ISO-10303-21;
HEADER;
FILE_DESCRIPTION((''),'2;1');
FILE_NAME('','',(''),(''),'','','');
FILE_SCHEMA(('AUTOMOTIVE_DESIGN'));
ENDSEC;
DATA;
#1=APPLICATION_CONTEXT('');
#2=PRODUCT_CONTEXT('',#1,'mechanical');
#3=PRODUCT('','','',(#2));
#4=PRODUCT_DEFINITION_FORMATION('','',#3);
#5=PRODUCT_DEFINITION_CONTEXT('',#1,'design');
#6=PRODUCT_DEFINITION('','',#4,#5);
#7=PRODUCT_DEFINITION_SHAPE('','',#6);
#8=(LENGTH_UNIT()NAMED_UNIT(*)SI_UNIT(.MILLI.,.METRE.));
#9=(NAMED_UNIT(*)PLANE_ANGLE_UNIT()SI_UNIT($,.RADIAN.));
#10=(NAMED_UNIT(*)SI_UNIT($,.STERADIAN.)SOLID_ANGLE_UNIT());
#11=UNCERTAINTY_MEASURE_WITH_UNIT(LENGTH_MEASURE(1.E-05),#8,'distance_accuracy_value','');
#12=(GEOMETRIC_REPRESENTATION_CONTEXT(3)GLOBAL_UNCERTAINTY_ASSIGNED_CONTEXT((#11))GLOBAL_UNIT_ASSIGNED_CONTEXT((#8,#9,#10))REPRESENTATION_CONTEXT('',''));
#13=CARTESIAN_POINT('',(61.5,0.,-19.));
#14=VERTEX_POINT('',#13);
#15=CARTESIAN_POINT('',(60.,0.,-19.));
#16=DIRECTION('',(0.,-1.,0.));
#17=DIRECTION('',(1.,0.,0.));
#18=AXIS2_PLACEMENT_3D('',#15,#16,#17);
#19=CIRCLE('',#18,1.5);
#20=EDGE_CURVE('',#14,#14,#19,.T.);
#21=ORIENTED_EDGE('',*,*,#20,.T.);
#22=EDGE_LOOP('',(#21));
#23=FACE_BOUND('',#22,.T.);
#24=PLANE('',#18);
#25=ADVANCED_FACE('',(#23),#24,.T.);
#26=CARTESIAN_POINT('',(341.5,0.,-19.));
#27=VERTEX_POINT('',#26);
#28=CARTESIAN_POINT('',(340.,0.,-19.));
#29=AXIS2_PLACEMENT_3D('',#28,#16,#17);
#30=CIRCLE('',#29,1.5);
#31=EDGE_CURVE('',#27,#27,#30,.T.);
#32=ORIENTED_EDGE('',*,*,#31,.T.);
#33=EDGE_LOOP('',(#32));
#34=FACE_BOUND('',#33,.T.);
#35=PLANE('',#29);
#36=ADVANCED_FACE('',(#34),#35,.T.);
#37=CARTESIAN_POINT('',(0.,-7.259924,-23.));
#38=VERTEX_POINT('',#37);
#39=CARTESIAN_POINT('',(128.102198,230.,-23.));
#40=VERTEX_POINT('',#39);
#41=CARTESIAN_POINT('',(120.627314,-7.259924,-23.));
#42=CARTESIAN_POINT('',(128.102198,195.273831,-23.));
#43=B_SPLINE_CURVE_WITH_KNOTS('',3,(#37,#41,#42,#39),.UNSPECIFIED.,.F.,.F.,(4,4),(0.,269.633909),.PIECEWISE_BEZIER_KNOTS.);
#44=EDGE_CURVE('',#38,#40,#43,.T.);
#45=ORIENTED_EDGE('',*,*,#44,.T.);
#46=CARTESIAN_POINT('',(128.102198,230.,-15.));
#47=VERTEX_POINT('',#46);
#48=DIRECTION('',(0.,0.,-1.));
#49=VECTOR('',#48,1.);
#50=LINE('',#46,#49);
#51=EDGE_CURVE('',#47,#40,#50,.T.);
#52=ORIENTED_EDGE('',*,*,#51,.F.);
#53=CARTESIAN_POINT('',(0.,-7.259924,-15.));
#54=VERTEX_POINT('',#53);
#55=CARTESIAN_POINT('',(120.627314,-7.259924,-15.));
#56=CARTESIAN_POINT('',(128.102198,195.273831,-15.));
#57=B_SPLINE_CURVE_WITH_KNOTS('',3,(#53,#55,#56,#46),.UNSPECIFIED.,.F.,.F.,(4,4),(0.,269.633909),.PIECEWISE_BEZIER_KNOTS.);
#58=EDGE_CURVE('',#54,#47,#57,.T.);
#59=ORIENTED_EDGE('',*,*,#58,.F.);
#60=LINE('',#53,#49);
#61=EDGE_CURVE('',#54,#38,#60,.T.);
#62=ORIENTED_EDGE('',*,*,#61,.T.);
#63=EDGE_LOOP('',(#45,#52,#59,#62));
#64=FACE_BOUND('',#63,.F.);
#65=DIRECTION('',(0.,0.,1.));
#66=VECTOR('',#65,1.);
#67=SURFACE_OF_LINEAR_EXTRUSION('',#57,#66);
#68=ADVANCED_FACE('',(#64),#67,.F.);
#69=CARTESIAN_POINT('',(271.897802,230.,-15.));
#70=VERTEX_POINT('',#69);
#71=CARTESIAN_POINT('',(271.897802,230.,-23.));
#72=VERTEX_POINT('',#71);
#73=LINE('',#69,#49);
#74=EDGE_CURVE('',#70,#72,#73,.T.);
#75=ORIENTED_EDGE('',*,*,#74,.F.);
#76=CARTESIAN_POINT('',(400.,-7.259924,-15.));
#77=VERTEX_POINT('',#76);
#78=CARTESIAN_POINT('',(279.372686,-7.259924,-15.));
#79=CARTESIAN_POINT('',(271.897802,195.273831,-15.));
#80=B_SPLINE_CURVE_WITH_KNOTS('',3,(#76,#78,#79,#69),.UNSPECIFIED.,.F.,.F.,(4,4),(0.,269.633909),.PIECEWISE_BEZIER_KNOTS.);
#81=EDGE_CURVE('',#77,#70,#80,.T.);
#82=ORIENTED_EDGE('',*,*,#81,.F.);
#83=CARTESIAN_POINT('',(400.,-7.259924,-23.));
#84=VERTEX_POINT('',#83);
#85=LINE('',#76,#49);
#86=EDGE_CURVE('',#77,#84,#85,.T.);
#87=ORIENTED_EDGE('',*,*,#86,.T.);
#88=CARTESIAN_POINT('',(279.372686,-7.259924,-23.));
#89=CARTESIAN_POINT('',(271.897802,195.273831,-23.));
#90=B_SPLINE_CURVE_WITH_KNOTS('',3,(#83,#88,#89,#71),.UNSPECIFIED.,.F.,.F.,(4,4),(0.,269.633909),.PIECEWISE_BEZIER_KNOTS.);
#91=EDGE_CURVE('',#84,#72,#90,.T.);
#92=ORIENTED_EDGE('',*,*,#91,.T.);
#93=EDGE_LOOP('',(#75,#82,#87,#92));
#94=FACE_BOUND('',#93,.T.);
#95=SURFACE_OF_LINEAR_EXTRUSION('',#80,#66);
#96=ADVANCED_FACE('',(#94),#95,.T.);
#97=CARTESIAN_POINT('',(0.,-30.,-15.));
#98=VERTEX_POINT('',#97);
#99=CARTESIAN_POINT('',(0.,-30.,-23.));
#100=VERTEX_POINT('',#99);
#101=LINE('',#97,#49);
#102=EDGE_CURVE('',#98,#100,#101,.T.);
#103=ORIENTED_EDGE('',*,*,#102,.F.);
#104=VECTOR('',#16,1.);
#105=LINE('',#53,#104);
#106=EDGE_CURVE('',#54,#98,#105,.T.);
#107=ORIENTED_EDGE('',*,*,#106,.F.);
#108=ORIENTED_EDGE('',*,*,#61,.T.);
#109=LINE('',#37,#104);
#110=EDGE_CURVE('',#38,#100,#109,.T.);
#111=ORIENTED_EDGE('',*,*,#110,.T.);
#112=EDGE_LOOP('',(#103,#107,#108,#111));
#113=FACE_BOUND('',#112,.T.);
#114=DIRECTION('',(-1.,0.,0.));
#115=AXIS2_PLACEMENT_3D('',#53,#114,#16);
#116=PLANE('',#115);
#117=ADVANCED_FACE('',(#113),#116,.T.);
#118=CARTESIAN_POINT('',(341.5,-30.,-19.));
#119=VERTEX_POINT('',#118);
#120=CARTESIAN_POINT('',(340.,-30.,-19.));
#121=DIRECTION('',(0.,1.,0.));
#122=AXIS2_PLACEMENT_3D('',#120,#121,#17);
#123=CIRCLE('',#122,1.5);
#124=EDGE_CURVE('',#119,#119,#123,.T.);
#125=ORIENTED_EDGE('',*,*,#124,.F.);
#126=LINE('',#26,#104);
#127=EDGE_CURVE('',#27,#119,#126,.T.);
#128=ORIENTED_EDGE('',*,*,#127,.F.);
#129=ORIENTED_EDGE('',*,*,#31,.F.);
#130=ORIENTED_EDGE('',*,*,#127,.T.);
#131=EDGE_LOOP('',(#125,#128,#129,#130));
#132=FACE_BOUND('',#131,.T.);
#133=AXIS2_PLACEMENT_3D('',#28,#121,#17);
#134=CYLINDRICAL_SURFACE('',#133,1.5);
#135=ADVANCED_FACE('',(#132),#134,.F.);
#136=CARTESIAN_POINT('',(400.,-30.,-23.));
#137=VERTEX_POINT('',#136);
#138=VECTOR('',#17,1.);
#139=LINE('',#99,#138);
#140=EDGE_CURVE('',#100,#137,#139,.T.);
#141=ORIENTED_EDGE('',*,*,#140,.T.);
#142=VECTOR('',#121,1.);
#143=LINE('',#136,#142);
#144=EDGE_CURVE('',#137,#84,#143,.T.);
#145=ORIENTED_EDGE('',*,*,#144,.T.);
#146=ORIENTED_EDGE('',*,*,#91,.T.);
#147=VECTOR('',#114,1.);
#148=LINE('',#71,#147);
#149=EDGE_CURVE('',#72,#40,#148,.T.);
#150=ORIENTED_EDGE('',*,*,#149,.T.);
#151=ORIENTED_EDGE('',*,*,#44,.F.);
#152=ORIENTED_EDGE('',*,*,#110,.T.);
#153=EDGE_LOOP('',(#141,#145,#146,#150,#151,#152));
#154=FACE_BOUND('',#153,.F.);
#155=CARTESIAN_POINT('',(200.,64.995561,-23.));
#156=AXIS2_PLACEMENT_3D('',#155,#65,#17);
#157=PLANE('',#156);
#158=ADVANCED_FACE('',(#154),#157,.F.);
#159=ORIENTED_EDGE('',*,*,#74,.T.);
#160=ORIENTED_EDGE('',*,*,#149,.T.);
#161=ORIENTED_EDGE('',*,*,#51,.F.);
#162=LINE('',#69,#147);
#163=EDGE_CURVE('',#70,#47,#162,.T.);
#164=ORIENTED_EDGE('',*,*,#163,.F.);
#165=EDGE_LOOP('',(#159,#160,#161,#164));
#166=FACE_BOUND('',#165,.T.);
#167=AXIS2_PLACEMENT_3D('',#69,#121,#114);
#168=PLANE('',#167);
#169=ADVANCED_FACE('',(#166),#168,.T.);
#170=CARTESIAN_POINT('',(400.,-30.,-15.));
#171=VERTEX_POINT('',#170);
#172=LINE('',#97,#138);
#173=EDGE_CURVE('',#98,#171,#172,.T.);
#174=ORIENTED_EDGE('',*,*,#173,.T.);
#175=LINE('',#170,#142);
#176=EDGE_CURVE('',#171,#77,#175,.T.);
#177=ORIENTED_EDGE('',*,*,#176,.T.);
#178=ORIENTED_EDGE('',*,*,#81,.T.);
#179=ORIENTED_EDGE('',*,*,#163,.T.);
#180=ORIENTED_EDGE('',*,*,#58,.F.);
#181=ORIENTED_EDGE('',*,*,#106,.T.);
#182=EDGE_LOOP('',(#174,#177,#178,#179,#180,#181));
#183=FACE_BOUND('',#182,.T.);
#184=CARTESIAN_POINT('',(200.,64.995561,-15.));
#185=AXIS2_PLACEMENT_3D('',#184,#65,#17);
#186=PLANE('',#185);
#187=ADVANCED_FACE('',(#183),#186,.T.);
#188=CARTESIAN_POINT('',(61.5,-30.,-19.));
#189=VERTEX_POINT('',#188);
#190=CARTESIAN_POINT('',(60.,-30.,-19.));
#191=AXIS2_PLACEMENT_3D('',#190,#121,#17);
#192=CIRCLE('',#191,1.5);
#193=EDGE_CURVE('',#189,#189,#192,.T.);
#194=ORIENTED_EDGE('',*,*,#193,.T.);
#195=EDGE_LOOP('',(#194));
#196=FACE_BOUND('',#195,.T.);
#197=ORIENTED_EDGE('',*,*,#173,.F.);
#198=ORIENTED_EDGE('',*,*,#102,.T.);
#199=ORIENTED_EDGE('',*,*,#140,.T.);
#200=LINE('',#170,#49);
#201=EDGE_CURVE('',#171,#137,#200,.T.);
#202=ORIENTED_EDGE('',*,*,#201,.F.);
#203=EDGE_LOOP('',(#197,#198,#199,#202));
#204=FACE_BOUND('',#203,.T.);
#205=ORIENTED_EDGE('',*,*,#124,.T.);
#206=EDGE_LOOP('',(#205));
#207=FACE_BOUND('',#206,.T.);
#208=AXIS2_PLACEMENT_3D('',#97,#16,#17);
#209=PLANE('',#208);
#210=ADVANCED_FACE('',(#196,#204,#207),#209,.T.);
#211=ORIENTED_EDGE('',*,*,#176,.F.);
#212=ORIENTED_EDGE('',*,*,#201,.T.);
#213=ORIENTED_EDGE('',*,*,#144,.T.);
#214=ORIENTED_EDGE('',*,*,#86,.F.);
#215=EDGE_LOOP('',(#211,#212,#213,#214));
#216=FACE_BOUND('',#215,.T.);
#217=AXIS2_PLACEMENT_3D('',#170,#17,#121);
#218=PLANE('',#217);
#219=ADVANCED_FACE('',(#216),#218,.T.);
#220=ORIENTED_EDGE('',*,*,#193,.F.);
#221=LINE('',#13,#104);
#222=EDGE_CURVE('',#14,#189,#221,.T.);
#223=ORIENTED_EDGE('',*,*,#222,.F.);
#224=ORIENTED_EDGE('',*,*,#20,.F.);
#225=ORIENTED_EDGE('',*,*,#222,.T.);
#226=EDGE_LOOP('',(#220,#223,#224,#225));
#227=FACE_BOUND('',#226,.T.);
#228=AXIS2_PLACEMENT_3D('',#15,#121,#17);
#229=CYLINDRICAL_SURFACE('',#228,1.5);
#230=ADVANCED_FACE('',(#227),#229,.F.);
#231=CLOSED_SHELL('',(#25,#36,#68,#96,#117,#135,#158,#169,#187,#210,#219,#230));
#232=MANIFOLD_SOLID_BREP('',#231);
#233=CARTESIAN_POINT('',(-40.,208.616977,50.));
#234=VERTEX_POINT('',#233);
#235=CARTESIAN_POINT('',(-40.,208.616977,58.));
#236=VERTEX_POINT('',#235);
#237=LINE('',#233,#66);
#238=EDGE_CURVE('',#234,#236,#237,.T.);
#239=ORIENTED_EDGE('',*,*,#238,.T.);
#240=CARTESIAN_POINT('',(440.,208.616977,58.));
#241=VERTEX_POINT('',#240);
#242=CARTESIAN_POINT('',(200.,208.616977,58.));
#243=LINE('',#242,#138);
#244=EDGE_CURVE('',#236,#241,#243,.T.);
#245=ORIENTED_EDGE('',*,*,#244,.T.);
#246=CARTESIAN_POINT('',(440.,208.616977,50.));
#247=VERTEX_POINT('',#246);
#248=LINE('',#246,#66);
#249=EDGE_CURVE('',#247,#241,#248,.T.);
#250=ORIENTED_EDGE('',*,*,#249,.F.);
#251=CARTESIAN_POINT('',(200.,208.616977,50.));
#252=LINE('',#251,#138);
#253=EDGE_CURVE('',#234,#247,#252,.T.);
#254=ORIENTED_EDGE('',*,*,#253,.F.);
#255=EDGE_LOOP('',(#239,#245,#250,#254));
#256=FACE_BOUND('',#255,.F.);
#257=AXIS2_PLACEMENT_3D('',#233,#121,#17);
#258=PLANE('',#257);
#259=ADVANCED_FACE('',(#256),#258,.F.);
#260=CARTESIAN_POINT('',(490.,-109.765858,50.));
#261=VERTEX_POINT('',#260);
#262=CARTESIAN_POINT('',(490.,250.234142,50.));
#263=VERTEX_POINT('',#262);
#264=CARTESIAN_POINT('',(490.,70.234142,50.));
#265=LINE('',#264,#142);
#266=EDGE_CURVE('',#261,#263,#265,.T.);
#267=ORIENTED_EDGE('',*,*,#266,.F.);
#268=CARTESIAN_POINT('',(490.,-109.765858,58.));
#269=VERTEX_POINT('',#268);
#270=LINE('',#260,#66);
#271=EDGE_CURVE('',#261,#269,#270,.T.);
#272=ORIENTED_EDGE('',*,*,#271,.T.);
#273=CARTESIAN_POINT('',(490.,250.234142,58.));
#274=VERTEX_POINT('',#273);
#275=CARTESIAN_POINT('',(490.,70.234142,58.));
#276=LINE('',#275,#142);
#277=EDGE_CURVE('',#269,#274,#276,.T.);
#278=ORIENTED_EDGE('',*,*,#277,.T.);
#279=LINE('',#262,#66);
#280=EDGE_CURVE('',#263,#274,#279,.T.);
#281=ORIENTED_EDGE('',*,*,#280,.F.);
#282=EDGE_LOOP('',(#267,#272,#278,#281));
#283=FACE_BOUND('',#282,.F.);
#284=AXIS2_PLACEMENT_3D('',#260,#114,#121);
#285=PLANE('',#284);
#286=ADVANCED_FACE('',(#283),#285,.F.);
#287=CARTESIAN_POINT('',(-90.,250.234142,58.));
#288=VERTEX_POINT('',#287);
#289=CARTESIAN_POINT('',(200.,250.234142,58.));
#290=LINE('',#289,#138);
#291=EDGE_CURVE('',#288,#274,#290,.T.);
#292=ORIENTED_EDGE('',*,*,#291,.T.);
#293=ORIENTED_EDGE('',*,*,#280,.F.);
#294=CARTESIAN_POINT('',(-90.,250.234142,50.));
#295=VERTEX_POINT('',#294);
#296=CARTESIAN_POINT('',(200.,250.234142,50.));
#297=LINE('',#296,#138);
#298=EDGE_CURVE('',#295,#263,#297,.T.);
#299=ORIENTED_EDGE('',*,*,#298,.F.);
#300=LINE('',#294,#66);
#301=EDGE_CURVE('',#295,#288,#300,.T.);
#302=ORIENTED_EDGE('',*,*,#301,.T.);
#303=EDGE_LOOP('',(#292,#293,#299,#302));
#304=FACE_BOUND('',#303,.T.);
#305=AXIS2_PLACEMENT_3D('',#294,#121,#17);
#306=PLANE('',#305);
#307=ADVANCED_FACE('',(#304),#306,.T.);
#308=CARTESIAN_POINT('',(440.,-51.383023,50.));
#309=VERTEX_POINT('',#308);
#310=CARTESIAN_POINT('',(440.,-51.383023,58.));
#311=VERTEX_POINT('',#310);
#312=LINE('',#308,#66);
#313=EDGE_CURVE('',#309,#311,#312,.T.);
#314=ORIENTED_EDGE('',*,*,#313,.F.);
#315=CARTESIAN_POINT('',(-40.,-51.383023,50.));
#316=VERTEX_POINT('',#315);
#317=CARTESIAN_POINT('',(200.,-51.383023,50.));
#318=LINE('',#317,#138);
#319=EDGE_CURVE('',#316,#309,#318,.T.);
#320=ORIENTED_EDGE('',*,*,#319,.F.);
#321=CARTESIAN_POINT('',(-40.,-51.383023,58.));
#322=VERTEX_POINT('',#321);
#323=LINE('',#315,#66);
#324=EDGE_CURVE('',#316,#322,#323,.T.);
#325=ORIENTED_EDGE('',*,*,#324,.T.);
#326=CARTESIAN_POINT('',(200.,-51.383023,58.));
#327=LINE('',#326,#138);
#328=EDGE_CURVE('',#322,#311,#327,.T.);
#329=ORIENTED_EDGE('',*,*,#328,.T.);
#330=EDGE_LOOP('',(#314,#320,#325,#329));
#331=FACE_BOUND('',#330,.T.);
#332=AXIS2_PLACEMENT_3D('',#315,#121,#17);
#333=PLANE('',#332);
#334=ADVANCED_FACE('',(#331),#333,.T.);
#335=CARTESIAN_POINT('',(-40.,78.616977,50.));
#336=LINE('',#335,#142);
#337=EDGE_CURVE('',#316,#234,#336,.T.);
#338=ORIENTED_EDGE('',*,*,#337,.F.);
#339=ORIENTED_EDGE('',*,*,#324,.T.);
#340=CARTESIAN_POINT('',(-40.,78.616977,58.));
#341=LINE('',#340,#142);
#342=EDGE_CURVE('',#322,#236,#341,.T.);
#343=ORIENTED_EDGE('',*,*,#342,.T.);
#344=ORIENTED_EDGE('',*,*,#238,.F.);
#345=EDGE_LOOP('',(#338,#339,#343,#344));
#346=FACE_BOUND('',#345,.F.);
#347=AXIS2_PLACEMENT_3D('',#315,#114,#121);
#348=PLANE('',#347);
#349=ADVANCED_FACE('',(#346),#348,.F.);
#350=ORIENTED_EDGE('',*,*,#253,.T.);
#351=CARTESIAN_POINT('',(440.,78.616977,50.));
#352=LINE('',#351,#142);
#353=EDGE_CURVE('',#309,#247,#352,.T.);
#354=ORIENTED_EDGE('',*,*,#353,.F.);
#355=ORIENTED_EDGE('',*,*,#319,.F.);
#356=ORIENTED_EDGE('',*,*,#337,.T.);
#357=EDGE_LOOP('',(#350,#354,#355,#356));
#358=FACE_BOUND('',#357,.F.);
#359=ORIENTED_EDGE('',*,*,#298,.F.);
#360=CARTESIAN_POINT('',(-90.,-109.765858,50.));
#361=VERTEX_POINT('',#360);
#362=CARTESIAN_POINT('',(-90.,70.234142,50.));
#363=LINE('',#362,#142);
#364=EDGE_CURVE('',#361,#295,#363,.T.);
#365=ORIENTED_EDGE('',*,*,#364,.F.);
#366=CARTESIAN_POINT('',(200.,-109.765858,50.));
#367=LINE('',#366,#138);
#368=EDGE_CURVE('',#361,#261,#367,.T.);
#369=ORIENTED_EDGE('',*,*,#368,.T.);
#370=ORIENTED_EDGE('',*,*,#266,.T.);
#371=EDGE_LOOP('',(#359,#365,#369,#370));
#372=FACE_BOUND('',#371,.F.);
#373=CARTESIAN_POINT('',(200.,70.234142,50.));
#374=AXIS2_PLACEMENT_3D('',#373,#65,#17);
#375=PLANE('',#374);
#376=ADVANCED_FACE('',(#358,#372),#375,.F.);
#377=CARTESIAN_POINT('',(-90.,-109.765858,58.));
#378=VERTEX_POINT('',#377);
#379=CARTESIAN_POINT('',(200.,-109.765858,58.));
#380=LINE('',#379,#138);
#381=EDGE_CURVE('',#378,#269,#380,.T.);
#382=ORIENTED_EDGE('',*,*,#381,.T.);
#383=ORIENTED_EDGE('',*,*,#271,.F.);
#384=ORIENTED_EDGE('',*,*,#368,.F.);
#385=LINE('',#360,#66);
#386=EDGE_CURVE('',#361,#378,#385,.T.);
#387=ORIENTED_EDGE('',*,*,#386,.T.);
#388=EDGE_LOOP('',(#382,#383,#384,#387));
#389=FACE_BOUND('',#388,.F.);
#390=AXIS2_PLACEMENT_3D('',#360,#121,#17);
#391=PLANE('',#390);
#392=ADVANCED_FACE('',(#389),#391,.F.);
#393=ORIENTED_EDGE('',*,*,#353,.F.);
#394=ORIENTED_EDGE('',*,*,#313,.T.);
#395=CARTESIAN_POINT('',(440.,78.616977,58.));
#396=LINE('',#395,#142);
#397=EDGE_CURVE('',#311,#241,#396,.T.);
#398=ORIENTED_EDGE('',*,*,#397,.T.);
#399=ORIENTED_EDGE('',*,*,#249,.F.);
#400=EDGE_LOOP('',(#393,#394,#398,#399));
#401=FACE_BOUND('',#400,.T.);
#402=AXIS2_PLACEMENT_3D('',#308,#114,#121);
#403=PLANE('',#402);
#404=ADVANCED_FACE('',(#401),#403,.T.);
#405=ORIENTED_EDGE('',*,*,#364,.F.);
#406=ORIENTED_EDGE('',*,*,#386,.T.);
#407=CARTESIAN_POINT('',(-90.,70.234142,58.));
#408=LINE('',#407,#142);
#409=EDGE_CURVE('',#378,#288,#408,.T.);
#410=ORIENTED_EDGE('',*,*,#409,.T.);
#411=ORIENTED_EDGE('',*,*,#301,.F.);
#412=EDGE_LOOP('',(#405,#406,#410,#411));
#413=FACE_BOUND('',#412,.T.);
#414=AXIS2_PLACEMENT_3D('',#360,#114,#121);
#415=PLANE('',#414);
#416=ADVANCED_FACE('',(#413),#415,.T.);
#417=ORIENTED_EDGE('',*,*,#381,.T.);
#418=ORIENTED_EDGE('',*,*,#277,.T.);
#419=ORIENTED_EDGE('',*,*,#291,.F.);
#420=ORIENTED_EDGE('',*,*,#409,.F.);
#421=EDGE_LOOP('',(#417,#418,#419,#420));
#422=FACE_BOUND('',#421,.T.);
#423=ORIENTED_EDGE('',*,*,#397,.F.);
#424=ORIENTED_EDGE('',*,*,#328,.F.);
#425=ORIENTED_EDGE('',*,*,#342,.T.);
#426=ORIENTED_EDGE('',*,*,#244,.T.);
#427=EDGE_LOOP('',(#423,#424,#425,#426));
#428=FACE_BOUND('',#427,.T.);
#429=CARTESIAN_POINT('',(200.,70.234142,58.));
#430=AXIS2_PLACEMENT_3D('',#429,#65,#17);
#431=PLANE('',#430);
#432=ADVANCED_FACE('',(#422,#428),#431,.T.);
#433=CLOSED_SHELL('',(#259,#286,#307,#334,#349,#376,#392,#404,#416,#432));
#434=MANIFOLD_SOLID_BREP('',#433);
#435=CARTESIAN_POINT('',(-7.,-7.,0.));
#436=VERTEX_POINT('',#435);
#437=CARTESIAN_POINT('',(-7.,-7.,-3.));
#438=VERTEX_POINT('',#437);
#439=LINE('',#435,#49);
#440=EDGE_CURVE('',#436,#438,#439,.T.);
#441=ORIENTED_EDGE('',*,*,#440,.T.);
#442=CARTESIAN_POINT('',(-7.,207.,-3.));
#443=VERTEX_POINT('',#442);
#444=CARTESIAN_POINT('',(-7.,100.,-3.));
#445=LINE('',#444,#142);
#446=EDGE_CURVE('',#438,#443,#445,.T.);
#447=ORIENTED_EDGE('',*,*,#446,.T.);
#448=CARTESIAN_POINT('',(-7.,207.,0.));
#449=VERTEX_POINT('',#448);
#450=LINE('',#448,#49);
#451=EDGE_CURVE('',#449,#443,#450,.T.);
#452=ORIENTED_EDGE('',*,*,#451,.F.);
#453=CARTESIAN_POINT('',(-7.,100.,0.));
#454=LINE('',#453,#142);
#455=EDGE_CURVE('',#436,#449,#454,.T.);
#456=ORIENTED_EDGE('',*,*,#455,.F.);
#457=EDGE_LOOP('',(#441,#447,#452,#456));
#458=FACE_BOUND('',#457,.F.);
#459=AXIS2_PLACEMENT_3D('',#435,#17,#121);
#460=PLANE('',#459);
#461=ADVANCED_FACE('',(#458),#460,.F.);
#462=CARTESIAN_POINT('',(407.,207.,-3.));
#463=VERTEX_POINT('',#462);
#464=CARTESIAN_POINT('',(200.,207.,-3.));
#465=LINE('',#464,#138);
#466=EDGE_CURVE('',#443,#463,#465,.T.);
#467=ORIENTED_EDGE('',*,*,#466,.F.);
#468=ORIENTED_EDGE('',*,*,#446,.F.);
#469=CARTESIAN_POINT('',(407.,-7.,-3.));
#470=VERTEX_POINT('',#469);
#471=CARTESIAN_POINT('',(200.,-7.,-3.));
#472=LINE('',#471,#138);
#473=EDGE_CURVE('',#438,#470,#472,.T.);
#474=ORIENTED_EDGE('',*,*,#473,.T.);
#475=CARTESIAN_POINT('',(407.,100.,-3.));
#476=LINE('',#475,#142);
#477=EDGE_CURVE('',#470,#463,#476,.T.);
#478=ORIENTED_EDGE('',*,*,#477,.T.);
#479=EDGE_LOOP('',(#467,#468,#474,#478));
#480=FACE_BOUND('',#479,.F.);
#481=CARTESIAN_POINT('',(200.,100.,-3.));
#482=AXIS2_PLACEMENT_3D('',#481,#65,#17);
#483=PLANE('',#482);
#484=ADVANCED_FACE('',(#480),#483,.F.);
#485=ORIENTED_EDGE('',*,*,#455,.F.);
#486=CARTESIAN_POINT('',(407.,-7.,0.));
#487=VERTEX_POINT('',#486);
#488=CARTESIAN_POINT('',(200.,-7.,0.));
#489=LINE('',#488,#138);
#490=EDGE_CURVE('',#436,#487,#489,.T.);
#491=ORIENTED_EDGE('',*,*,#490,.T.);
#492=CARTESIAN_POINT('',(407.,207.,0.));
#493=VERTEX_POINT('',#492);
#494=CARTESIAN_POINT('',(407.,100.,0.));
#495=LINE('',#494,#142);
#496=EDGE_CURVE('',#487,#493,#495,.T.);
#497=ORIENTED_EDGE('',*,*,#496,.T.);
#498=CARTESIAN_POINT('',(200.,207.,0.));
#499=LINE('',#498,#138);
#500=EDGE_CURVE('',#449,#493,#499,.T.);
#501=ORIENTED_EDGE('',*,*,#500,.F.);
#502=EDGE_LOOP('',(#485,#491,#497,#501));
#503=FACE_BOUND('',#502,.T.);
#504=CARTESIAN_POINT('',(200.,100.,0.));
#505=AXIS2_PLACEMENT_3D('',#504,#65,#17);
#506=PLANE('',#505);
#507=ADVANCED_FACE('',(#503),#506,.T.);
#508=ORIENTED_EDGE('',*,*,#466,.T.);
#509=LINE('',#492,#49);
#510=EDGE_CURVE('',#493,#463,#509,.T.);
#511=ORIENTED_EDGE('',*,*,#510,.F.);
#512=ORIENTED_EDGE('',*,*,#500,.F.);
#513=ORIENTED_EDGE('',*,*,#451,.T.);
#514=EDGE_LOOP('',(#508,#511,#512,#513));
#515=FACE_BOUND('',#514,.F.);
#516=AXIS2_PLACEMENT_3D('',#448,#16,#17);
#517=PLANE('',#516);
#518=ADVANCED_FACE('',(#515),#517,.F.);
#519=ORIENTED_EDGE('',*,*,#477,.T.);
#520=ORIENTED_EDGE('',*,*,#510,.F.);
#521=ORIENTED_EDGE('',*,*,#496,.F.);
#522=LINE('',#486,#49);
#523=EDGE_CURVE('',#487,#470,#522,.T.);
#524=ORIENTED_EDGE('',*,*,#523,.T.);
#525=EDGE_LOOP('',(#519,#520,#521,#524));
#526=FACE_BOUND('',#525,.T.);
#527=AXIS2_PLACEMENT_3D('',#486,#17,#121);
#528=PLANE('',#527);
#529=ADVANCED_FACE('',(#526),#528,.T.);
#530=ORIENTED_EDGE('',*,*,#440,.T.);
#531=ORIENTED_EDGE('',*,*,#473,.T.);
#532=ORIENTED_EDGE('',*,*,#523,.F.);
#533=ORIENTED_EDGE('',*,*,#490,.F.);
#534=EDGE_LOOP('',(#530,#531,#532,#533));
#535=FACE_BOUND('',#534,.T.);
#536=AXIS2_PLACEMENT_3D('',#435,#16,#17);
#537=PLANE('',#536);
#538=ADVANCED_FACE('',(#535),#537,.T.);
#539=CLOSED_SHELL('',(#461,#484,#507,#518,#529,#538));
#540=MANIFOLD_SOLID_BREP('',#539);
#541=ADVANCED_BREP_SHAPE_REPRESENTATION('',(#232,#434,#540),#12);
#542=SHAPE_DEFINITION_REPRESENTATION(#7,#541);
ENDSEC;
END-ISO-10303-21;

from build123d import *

# Parameters (mm, degrees)
F0_W     = 414
F0_H     = 214
F1_DEPTH = 3
F4_DEPTH = 8
F5_R     = 1.5
F6_DEPTH = 30.001
F8_W     = 580
F8_H     = 360
F8_W_2   = 480
F8_H_2   = 260
F9_DEPTH = 8


with BuildPart() as f1:
    # F0 (on Top) → F1 (new body)
    with BuildSketch(Plane.XY):
        with Locations((200, 100)):
            Rectangle(F0_W, F0_H)
    extrude(amount=-F1_DEPTH)


with BuildPart() as f4:
    # F3 (on offset) → F4 (new body)
    with BuildSketch(Plane.XY.offset(-15)):
        with BuildLine():
            Line((0, -7.259924), (0, -30))
            Line((0, -30), (400, -30))
            Line((400, -30), (400, -7.259924))
            add(Edge.make_bspline(
                [(400, -7.259924), (279.372686, -7.259924), (271.897802, 195.273831), (271.897802, 230)],
                knots=[0, 0, 0, 0, 269.633909, 269.633909, 269.633909, 269.633909], degree=3))
            Line((271.897802, 230), (128.102198, 230))
            add(Edge.make_bspline(
                [(0, -7.259924), (120.627314, -7.259924), (128.102198, 195.273831), (128.102198, 230)],
                knots=[0, 0, 0, 0, 269.633909, 269.633909, 269.633909, 269.633909], degree=3))
        make_face()
    extrude(amount=-F4_DEPTH)

    # F5 (on Front) → F6 (cut, through all)
    with BuildSketch(Plane.XZ):
        with Locations((340, -19)):
            Circle(F5_R)
        with Locations((60, -19)):
            Circle(F5_R)
    extrude(amount=F6_DEPTH, mode=Mode.SUBTRACT)


with BuildPart() as f9:
    # F8 (on offset) → F9 (new body)
    with BuildSketch(Plane.XY.offset(50)):
        with Locations((200, 70.234142)):
            Rectangle(F8_W, F8_H)
        with Locations((200, 78.616977)):
            Rectangle(F8_W_2, F8_H_2, mode=Mode.SUBTRACT)
    extrude(amount=F9_DEPTH)


solid = Compound([f1.part, f4.part, f9.part])
